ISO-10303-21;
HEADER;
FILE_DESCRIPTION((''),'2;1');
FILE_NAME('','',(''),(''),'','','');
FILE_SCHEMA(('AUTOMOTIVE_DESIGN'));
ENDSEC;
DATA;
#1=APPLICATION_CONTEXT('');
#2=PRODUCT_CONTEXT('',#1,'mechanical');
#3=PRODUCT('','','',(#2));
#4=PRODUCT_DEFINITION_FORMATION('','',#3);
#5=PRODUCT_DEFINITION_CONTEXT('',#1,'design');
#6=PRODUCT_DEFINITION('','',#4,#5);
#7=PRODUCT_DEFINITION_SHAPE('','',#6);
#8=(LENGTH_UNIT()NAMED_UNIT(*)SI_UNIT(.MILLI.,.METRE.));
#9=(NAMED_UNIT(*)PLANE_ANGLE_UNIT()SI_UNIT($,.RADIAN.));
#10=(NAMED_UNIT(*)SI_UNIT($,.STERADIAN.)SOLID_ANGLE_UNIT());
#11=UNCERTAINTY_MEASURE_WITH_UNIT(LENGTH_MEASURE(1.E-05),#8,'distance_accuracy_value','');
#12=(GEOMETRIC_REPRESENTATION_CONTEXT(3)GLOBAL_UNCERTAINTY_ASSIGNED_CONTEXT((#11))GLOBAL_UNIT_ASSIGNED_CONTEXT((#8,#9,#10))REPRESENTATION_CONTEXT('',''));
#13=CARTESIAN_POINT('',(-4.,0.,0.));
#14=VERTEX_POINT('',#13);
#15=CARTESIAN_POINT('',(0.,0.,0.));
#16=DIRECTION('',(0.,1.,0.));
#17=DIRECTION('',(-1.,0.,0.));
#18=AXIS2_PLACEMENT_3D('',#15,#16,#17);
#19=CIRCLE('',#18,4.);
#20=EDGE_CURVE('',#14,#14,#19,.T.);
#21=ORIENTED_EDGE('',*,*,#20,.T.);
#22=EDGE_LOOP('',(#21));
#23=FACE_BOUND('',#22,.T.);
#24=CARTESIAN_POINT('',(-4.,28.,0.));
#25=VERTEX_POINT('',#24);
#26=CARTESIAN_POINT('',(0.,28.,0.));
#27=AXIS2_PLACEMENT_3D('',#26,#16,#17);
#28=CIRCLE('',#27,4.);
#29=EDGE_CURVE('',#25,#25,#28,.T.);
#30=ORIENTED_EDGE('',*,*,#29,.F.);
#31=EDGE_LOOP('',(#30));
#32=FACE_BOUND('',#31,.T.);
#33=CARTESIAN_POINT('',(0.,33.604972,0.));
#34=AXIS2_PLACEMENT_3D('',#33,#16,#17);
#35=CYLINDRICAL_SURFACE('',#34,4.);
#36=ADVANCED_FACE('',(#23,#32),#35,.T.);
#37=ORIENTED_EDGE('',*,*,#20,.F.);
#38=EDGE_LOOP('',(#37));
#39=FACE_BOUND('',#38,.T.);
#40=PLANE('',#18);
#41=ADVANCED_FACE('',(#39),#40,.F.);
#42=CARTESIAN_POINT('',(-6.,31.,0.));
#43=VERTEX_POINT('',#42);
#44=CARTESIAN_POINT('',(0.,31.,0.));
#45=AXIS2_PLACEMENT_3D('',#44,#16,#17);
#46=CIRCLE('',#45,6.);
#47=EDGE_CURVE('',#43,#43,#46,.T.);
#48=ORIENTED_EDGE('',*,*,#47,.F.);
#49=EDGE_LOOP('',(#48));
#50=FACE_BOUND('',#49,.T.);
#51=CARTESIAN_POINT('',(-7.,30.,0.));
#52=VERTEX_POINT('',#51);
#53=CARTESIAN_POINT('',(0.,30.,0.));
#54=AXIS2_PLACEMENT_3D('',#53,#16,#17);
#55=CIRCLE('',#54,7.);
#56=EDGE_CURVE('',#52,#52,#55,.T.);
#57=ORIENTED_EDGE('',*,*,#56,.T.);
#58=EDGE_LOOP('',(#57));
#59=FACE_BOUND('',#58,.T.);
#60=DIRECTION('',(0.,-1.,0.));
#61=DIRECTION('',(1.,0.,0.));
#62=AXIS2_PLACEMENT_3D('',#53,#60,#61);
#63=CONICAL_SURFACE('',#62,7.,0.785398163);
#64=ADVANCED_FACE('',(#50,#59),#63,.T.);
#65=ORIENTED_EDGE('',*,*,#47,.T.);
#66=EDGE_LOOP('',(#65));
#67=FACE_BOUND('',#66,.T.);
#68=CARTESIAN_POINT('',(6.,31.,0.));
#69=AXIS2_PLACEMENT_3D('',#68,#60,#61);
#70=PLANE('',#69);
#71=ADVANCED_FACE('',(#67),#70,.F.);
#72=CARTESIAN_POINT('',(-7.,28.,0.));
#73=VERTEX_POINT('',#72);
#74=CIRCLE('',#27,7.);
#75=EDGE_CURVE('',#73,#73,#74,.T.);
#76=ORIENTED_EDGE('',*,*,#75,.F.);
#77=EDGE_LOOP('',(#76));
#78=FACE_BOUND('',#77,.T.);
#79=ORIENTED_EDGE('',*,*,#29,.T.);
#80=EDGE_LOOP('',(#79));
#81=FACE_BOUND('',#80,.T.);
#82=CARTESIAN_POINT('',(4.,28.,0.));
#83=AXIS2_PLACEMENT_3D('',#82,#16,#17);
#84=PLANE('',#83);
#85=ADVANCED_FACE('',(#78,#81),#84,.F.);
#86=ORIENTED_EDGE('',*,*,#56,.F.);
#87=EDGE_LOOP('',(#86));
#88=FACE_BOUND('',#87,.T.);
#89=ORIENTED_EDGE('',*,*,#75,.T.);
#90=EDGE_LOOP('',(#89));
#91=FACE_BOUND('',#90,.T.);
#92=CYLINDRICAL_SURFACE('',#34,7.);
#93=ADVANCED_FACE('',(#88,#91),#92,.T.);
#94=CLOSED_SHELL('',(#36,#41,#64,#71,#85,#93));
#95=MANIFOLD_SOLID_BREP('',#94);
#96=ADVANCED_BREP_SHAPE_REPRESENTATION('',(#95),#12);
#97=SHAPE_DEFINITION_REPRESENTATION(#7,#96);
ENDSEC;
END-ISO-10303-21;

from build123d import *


with BuildPart() as part:
    # Sketch1 → Revolve1 (revolve)
    with BuildSketch(Plane.XY, mode=Mode.PRIVATE) as revolve1_sk:
        Polygon((0, 0), (4, 0), (4, 28), (7, 28), (7, 30), (6, 31), (0, 31), align=None)
    revolve(revolve1_sk.sketch.rotate(Axis((0, 33.604972013, 0), (0, -1, 0)), 180), axis=Axis((0, 33.604972013, 0), (0, -1, 0)))


solid = part.part
